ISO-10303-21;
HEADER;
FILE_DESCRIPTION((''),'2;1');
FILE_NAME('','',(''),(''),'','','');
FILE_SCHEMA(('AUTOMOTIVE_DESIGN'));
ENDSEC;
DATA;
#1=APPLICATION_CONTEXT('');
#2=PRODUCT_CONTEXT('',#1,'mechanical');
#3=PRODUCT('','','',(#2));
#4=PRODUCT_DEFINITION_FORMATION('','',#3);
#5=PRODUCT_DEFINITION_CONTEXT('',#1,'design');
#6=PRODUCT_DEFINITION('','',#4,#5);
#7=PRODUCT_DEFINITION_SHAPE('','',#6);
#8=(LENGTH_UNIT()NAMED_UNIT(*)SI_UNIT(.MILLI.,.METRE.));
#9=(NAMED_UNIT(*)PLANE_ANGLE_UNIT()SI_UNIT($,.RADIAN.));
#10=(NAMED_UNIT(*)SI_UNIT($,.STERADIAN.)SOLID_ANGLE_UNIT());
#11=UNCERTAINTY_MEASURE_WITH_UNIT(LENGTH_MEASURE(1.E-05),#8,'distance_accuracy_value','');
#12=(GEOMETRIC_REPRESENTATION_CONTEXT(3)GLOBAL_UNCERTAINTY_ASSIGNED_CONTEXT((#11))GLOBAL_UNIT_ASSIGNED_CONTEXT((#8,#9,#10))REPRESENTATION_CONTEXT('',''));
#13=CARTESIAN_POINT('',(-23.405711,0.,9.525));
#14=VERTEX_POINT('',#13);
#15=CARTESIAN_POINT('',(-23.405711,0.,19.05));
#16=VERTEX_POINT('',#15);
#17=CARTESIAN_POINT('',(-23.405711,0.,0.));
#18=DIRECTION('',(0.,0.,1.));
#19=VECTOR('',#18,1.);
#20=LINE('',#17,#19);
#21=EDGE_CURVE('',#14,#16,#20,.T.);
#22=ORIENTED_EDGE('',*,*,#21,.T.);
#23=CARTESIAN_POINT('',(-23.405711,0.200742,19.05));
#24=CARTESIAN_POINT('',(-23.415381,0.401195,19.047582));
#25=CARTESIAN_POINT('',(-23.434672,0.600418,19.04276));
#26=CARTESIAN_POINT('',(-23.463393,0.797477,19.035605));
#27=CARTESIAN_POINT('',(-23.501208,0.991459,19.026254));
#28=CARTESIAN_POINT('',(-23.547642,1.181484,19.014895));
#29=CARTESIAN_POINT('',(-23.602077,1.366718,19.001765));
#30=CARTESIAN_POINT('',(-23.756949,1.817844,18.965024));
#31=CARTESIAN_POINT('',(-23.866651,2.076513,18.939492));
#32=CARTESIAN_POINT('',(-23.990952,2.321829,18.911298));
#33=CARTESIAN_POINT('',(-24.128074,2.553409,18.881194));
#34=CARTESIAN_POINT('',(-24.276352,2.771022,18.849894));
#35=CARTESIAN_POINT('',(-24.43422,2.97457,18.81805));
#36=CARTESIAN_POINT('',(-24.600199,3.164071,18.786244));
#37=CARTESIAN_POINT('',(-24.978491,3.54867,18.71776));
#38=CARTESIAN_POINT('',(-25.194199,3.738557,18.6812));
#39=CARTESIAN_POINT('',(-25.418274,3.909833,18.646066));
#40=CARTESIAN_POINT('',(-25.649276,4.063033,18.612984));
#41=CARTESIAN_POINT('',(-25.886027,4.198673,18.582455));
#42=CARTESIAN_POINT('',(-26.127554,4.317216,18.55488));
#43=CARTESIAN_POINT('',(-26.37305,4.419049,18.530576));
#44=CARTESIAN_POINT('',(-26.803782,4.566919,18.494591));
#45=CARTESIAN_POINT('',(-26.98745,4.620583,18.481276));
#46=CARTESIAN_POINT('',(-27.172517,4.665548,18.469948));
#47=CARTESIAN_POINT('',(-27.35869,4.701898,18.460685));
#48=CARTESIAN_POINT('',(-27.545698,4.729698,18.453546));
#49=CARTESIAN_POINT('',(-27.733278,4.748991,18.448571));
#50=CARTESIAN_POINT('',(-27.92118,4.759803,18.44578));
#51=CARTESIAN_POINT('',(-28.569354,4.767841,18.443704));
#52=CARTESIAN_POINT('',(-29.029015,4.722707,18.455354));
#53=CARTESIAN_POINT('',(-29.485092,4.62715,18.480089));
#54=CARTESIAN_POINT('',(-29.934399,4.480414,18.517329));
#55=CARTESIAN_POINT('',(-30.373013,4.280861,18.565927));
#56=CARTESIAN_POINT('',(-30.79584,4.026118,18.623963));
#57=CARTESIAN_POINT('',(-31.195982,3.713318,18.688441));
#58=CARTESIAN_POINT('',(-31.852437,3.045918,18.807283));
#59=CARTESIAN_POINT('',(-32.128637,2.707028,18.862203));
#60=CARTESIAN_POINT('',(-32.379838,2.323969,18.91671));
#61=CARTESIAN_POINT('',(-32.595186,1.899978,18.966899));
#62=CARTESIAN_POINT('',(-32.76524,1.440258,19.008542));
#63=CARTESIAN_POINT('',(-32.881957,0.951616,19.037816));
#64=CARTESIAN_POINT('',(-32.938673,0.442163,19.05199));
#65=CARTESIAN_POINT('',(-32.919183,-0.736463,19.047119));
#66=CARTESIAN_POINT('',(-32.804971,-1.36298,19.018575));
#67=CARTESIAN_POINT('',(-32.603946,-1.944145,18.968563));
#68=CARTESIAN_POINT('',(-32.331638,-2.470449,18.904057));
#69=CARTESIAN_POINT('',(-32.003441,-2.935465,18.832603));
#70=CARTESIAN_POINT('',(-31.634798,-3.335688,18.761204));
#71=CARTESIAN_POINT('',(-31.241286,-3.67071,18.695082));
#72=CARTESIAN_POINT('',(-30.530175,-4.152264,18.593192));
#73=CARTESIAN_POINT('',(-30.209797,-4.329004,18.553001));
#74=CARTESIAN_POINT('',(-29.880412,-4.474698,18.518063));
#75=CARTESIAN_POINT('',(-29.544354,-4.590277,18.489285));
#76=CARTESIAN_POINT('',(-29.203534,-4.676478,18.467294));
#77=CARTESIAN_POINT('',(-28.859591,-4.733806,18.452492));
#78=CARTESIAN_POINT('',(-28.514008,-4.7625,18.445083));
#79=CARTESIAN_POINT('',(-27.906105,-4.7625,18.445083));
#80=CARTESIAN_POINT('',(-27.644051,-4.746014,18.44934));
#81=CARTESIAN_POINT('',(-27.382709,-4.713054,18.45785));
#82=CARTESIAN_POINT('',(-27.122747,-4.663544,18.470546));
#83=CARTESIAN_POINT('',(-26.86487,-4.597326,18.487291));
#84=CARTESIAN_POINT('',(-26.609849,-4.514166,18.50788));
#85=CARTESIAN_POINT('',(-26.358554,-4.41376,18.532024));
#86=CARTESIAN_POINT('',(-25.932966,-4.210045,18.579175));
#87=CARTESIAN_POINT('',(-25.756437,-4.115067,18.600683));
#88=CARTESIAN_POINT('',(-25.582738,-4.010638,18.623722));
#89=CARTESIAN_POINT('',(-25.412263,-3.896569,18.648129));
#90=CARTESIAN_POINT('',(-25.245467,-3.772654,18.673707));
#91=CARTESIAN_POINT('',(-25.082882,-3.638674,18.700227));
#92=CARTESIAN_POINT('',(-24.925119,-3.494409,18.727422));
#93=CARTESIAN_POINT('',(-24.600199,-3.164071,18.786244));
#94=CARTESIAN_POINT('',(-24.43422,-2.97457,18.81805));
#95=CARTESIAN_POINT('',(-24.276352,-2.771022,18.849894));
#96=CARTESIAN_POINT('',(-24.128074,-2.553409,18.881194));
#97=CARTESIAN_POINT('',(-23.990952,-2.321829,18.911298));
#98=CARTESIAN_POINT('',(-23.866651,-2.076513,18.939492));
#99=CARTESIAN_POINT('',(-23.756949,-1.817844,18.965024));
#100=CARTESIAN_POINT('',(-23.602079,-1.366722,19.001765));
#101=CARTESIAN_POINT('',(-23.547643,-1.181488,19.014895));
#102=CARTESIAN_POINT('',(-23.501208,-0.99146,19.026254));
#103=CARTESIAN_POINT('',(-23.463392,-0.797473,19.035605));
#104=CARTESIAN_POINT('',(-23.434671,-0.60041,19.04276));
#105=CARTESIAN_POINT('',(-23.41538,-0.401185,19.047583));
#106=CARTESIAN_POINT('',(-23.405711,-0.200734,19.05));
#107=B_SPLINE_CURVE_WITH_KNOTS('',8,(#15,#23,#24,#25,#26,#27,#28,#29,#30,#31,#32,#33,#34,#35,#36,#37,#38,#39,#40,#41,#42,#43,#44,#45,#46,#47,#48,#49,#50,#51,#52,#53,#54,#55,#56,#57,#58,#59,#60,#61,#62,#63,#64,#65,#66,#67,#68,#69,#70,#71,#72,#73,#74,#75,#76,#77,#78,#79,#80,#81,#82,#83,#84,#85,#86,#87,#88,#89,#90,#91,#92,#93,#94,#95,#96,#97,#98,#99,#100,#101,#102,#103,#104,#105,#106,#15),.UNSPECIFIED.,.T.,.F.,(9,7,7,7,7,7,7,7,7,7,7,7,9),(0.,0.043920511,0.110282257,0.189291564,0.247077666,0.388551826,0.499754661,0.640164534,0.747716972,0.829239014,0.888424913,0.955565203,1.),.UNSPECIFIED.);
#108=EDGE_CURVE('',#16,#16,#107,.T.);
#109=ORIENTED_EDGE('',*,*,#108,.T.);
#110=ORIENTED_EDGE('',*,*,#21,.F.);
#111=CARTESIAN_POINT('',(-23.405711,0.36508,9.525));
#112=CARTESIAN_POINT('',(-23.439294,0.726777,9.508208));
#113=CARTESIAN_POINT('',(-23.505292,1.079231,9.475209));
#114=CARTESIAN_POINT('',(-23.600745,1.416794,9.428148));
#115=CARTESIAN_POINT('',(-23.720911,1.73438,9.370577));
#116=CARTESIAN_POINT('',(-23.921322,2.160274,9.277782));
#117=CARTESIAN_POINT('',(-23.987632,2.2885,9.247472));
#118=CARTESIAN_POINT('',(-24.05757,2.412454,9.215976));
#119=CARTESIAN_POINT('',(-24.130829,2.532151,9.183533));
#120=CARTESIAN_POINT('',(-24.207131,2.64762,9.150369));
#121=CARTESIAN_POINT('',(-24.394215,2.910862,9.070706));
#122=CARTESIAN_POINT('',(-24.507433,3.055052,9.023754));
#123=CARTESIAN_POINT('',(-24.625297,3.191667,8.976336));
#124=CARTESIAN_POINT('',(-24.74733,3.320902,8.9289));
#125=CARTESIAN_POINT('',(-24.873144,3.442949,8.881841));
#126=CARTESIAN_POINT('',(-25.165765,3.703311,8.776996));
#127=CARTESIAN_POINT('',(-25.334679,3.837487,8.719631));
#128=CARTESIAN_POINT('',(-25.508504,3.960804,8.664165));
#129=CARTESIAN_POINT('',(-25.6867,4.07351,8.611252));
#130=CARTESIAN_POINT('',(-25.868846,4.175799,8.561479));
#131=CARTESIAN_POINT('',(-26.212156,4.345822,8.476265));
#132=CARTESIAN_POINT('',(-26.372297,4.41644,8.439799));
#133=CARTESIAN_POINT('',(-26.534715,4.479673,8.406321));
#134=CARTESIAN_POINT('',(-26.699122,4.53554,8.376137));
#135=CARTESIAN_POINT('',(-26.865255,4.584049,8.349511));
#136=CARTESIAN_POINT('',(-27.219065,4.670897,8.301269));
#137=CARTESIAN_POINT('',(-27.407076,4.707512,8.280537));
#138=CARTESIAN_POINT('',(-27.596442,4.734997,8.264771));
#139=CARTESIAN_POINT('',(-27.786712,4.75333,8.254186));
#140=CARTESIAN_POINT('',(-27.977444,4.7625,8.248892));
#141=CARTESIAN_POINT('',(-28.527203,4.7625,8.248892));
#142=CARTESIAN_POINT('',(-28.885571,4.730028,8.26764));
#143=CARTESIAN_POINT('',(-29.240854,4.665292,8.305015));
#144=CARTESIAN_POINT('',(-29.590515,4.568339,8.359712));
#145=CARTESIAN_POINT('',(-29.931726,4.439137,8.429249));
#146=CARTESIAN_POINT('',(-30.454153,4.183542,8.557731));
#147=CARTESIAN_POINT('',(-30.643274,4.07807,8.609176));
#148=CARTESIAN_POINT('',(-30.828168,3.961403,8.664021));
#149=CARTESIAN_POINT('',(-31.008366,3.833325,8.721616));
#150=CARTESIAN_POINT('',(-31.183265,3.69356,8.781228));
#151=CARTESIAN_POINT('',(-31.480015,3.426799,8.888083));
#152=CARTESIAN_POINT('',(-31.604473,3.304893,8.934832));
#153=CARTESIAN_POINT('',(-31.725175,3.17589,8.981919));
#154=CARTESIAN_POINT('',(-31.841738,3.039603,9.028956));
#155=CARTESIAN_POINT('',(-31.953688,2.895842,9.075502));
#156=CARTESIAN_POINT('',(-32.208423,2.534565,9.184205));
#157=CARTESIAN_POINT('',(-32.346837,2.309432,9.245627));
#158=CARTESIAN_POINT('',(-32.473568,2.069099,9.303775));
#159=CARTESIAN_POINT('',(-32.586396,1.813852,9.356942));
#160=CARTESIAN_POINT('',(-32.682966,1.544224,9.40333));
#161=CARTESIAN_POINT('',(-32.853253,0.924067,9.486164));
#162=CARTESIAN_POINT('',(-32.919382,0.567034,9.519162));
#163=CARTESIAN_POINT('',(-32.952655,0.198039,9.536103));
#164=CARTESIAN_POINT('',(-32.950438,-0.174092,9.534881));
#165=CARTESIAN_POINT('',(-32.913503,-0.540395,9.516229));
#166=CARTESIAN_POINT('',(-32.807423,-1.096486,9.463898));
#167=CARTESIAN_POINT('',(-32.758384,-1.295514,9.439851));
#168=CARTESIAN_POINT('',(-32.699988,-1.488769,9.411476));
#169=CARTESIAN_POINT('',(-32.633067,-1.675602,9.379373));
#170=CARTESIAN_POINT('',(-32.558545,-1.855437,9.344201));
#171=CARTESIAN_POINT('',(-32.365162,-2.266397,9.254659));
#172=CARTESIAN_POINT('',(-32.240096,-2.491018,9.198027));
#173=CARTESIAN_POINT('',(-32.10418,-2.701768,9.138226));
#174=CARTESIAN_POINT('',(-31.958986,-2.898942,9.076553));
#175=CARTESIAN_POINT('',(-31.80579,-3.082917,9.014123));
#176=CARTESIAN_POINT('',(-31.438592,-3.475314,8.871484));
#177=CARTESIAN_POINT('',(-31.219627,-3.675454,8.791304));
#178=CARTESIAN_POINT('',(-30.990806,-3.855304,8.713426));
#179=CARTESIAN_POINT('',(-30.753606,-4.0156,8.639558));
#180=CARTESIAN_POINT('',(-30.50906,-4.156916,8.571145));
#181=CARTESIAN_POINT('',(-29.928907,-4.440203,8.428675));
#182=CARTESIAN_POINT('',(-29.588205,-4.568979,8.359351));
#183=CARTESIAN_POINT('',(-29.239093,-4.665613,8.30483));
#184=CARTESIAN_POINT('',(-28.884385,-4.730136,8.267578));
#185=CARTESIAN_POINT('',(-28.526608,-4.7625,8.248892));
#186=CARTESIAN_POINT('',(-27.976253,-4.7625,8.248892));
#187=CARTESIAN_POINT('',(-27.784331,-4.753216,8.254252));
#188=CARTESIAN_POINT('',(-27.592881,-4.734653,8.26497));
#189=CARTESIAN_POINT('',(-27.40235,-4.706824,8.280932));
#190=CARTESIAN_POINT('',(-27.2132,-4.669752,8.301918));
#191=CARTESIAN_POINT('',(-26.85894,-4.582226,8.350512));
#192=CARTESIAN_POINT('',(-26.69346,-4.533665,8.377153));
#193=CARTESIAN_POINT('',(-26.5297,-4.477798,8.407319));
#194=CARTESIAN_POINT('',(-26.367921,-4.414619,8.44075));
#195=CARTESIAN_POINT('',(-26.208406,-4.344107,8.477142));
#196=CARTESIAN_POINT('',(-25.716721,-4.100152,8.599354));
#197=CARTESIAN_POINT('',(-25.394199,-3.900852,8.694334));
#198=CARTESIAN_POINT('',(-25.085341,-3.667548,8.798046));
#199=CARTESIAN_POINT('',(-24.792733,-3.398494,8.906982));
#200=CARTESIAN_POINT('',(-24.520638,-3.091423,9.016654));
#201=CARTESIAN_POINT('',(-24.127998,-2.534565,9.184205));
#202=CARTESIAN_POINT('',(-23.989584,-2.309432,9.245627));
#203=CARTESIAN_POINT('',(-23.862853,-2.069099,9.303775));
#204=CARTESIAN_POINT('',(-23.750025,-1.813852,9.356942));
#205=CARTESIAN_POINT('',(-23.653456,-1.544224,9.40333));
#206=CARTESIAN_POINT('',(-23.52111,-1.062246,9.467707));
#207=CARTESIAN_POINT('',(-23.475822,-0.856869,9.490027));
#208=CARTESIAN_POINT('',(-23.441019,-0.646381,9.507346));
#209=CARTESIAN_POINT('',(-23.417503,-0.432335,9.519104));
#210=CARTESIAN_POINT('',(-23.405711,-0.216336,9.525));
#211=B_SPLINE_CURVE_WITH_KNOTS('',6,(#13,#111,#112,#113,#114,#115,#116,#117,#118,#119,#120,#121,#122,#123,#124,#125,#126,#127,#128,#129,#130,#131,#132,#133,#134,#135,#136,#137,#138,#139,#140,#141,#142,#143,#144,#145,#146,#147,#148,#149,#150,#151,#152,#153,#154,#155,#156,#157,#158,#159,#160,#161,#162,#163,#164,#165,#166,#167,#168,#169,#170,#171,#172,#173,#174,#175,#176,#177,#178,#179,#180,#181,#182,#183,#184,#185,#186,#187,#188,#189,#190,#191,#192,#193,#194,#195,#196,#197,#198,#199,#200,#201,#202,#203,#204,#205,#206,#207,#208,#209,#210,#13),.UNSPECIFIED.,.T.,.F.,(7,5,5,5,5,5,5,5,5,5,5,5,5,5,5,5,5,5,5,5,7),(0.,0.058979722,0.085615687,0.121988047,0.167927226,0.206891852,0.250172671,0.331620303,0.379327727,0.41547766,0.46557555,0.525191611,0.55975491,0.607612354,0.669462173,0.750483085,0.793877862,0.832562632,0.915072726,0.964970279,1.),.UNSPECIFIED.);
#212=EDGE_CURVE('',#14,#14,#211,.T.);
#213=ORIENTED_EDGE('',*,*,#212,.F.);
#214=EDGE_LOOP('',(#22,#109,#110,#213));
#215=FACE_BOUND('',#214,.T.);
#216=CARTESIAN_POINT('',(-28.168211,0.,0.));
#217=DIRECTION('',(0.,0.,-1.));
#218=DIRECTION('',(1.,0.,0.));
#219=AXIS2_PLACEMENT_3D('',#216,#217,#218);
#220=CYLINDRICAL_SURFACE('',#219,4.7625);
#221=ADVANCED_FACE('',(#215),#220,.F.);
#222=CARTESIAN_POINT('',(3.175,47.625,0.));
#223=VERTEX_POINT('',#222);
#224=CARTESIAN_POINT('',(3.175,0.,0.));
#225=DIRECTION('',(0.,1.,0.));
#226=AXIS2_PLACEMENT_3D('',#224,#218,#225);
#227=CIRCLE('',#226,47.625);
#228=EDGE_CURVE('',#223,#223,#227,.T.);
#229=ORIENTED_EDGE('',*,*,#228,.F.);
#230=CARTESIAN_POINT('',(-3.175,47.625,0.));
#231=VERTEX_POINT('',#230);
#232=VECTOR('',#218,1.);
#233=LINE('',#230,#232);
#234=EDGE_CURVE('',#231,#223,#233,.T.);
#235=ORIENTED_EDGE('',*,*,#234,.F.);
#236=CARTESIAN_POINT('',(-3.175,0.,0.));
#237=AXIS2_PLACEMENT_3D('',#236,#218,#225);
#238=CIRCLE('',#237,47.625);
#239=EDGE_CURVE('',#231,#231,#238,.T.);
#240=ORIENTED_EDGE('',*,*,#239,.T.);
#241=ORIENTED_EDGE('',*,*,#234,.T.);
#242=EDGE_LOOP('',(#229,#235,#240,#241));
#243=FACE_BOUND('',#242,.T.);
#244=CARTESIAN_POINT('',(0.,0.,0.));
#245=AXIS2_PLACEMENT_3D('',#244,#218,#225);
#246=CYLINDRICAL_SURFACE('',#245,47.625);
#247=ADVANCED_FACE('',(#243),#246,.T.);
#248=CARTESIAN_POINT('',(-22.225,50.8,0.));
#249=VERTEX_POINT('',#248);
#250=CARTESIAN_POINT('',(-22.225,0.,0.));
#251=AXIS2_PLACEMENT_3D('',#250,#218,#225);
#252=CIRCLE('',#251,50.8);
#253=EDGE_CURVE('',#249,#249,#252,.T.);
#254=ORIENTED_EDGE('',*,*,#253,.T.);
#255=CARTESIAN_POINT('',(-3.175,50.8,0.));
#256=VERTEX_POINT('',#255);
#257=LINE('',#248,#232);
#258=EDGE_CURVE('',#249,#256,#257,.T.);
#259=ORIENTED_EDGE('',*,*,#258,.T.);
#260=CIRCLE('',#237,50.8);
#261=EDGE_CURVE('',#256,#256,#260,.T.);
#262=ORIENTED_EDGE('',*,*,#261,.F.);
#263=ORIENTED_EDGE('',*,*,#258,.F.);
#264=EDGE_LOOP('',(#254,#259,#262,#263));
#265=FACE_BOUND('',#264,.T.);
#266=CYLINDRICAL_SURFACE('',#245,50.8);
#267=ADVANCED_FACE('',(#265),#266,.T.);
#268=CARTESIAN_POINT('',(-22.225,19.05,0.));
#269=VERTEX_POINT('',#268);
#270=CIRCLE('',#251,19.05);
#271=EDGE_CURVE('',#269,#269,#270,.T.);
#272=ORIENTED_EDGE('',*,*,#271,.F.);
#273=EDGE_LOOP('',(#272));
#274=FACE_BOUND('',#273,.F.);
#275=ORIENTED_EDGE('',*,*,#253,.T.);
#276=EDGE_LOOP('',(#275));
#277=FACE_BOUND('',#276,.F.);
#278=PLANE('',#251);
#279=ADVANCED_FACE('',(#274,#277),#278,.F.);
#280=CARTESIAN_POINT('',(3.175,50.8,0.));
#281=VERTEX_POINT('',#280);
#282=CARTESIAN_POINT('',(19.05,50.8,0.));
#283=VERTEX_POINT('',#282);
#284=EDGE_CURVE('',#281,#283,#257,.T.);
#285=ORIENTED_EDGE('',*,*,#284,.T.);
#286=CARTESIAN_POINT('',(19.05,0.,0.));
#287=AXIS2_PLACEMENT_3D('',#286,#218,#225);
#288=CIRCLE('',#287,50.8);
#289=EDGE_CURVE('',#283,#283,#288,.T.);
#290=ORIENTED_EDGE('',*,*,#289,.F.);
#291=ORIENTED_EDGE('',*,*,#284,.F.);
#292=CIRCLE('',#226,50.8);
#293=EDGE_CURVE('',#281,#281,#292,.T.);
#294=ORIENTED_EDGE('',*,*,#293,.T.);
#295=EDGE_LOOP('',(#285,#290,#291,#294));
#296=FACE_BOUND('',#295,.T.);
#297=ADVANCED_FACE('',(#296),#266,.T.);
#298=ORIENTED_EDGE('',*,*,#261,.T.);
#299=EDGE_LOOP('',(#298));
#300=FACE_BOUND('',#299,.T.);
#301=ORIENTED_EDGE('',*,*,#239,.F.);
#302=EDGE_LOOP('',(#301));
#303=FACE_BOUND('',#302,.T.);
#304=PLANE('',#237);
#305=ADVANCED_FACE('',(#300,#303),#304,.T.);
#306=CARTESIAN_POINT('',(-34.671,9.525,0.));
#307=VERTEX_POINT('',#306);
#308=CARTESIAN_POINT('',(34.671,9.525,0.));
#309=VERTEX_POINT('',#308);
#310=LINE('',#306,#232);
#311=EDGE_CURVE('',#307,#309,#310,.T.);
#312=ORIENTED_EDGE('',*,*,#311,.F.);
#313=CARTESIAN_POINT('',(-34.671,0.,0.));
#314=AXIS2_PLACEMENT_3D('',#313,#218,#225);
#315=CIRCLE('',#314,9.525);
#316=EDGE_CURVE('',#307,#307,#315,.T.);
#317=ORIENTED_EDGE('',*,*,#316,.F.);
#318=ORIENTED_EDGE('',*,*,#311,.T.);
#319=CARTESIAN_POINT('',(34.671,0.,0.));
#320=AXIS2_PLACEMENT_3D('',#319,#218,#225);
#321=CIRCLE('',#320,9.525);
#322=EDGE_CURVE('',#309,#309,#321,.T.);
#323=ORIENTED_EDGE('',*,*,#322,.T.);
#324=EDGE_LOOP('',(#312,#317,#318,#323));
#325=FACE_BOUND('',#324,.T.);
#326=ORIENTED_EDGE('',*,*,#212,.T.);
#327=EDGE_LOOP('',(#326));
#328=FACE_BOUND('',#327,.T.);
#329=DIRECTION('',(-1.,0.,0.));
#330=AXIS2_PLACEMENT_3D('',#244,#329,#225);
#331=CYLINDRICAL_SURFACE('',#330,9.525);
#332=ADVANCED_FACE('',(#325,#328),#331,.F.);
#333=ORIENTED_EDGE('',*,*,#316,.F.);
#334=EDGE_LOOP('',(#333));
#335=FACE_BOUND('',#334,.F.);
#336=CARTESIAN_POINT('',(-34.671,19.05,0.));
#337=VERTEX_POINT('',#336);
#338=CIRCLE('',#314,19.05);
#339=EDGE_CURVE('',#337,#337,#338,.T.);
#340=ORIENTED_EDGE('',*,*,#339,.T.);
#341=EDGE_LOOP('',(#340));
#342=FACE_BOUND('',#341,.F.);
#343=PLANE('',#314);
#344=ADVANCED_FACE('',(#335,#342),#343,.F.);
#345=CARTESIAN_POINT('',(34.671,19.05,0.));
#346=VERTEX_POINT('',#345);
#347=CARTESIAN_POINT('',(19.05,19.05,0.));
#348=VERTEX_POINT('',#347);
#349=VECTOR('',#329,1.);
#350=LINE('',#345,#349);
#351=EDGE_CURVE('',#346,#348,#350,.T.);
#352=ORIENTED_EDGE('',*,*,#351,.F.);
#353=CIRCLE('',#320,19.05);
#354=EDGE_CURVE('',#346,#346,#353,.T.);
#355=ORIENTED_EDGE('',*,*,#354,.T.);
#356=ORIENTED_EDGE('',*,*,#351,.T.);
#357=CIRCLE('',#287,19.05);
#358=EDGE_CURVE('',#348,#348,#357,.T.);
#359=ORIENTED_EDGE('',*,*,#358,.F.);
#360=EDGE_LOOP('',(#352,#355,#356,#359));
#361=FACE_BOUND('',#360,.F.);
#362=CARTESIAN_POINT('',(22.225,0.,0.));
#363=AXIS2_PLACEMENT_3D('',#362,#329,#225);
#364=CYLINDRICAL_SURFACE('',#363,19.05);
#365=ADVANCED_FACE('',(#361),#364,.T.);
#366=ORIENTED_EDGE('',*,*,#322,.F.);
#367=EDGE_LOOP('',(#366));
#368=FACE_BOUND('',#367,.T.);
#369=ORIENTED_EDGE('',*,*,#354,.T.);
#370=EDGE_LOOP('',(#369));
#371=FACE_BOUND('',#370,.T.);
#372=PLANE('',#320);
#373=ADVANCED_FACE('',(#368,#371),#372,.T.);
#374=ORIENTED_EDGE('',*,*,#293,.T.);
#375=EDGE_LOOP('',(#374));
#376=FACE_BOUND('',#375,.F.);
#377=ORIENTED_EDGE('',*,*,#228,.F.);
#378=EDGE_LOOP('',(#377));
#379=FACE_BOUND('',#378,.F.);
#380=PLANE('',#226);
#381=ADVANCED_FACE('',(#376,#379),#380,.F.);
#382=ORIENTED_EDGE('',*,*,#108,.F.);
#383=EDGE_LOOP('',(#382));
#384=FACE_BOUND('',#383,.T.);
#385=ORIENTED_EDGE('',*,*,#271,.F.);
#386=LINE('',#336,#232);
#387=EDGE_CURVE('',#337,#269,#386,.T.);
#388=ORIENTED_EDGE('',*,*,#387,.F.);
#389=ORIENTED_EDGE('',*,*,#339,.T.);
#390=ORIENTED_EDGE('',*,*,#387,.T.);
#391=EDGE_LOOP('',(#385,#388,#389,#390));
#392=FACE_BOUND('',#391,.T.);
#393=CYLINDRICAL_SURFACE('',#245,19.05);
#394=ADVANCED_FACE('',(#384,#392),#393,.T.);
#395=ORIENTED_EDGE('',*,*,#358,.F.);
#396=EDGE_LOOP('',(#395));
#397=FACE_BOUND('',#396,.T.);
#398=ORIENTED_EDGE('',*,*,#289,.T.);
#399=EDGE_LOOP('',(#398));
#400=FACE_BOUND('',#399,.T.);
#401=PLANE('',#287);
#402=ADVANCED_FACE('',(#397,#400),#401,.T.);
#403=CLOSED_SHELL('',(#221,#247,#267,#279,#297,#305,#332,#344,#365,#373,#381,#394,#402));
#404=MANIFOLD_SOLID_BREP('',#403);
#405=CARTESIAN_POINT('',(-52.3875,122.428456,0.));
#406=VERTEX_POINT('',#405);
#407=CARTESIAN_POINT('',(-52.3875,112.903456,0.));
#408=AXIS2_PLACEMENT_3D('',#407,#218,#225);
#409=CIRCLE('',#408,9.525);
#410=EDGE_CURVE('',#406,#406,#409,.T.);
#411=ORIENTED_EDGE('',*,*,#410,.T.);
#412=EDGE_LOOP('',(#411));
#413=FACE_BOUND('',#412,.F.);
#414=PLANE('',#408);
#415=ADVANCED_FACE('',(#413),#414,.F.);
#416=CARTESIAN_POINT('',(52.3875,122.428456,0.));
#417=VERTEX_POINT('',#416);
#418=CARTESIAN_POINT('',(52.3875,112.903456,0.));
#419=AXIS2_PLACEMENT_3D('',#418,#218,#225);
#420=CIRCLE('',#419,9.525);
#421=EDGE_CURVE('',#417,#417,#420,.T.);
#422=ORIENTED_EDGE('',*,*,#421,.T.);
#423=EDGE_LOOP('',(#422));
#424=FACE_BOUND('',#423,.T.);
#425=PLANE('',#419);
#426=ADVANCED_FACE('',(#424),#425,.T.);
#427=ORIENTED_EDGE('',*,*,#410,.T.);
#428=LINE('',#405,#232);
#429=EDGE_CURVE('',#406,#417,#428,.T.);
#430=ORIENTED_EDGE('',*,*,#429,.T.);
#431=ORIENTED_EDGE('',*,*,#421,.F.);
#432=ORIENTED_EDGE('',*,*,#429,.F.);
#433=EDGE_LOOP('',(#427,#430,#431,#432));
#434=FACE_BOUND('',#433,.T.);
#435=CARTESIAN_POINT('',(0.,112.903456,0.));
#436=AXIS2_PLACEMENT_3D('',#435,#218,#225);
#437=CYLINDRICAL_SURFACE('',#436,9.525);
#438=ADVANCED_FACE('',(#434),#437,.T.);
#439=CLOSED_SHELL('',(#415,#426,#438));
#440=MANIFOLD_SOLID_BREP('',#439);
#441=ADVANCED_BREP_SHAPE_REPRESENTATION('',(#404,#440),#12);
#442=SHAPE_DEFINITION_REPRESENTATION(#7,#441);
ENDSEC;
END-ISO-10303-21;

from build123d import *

# Parameters (mm, degrees)
F0_R        = 19.05
F0_R_2      = 9.525
F2_DEPTH    = 34.671
F3_R        = 50.8
F3_R_2      = 47.625
F4_DEPTH    = 22.225
F5_DEPTH    = 56.897
F4_FACE_R   = 50.8
F4_FACE_R_2 = 19.05
F6_DEPTH    = 3.175
F7_R        = 4.7625
F8_DEPTH    = 25.4
F1_R        = 9.525
F9_DEPTH    = 52.3875


with BuildPart() as f2:
    # F0 (on Right) → F2 (new body, symmetric)
    with BuildSketch(Plane.YZ):
        Circle(F0_R)
        Circle(F0_R_2, mode=Mode.SUBTRACT)
    extrude(amount=F2_DEPTH, both=True)

    # F3 (on Right) → F4 (join, symmetric)
    with BuildSketch(Plane.YZ):
        Circle(F3_R)
        Circle(F3_R_2, mode=Mode.SUBTRACT)
        Circle(F3_R_2)
    extrude(amount=F4_DEPTH, both=True)

    # F5 (cut, through all): a face of the model
    f5_faces = [f2.faces().sort_by_distance(p)[0] for p in [
        (22.225, 0, 0),
    ]]
    extrude(f5_faces, amount=-F5_DEPTH, mode=Mode.SUBTRACT)

    # F3 (on Right) + F4_face (on face) → F6 (cut, symmetric)
    with BuildSketch(Plane.YZ):
        Circle(F3_R)
        Circle(F3_R_2, mode=Mode.SUBTRACT)
    with BuildSketch(Plane.YZ.offset(22.225)):
        Circle(F4_FACE_R)
        Circle(F4_FACE_R_2, mode=Mode.SUBTRACT)
    extrude(amount=F6_DEPTH, both=True, mode=Mode.SUBTRACT)

    # F7 (on Top) → F8 (cut)
    with BuildSketch(Plane.XY):
        with Locations((-28.1682106339, 0)):
            Circle(F7_R)
    extrude(amount=F8_DEPTH, mode=Mode.SUBTRACT)


with BuildPart() as f9:
    # F1 (on Right) → F9 (new body, symmetric)
    with BuildSketch(Plane.YZ):
        with Locations((112.9034556301, 0)):
            Circle(F1_R)
    extrude(amount=F9_DEPTH, both=True)


solid = Compound([f2.part, f9.part])
